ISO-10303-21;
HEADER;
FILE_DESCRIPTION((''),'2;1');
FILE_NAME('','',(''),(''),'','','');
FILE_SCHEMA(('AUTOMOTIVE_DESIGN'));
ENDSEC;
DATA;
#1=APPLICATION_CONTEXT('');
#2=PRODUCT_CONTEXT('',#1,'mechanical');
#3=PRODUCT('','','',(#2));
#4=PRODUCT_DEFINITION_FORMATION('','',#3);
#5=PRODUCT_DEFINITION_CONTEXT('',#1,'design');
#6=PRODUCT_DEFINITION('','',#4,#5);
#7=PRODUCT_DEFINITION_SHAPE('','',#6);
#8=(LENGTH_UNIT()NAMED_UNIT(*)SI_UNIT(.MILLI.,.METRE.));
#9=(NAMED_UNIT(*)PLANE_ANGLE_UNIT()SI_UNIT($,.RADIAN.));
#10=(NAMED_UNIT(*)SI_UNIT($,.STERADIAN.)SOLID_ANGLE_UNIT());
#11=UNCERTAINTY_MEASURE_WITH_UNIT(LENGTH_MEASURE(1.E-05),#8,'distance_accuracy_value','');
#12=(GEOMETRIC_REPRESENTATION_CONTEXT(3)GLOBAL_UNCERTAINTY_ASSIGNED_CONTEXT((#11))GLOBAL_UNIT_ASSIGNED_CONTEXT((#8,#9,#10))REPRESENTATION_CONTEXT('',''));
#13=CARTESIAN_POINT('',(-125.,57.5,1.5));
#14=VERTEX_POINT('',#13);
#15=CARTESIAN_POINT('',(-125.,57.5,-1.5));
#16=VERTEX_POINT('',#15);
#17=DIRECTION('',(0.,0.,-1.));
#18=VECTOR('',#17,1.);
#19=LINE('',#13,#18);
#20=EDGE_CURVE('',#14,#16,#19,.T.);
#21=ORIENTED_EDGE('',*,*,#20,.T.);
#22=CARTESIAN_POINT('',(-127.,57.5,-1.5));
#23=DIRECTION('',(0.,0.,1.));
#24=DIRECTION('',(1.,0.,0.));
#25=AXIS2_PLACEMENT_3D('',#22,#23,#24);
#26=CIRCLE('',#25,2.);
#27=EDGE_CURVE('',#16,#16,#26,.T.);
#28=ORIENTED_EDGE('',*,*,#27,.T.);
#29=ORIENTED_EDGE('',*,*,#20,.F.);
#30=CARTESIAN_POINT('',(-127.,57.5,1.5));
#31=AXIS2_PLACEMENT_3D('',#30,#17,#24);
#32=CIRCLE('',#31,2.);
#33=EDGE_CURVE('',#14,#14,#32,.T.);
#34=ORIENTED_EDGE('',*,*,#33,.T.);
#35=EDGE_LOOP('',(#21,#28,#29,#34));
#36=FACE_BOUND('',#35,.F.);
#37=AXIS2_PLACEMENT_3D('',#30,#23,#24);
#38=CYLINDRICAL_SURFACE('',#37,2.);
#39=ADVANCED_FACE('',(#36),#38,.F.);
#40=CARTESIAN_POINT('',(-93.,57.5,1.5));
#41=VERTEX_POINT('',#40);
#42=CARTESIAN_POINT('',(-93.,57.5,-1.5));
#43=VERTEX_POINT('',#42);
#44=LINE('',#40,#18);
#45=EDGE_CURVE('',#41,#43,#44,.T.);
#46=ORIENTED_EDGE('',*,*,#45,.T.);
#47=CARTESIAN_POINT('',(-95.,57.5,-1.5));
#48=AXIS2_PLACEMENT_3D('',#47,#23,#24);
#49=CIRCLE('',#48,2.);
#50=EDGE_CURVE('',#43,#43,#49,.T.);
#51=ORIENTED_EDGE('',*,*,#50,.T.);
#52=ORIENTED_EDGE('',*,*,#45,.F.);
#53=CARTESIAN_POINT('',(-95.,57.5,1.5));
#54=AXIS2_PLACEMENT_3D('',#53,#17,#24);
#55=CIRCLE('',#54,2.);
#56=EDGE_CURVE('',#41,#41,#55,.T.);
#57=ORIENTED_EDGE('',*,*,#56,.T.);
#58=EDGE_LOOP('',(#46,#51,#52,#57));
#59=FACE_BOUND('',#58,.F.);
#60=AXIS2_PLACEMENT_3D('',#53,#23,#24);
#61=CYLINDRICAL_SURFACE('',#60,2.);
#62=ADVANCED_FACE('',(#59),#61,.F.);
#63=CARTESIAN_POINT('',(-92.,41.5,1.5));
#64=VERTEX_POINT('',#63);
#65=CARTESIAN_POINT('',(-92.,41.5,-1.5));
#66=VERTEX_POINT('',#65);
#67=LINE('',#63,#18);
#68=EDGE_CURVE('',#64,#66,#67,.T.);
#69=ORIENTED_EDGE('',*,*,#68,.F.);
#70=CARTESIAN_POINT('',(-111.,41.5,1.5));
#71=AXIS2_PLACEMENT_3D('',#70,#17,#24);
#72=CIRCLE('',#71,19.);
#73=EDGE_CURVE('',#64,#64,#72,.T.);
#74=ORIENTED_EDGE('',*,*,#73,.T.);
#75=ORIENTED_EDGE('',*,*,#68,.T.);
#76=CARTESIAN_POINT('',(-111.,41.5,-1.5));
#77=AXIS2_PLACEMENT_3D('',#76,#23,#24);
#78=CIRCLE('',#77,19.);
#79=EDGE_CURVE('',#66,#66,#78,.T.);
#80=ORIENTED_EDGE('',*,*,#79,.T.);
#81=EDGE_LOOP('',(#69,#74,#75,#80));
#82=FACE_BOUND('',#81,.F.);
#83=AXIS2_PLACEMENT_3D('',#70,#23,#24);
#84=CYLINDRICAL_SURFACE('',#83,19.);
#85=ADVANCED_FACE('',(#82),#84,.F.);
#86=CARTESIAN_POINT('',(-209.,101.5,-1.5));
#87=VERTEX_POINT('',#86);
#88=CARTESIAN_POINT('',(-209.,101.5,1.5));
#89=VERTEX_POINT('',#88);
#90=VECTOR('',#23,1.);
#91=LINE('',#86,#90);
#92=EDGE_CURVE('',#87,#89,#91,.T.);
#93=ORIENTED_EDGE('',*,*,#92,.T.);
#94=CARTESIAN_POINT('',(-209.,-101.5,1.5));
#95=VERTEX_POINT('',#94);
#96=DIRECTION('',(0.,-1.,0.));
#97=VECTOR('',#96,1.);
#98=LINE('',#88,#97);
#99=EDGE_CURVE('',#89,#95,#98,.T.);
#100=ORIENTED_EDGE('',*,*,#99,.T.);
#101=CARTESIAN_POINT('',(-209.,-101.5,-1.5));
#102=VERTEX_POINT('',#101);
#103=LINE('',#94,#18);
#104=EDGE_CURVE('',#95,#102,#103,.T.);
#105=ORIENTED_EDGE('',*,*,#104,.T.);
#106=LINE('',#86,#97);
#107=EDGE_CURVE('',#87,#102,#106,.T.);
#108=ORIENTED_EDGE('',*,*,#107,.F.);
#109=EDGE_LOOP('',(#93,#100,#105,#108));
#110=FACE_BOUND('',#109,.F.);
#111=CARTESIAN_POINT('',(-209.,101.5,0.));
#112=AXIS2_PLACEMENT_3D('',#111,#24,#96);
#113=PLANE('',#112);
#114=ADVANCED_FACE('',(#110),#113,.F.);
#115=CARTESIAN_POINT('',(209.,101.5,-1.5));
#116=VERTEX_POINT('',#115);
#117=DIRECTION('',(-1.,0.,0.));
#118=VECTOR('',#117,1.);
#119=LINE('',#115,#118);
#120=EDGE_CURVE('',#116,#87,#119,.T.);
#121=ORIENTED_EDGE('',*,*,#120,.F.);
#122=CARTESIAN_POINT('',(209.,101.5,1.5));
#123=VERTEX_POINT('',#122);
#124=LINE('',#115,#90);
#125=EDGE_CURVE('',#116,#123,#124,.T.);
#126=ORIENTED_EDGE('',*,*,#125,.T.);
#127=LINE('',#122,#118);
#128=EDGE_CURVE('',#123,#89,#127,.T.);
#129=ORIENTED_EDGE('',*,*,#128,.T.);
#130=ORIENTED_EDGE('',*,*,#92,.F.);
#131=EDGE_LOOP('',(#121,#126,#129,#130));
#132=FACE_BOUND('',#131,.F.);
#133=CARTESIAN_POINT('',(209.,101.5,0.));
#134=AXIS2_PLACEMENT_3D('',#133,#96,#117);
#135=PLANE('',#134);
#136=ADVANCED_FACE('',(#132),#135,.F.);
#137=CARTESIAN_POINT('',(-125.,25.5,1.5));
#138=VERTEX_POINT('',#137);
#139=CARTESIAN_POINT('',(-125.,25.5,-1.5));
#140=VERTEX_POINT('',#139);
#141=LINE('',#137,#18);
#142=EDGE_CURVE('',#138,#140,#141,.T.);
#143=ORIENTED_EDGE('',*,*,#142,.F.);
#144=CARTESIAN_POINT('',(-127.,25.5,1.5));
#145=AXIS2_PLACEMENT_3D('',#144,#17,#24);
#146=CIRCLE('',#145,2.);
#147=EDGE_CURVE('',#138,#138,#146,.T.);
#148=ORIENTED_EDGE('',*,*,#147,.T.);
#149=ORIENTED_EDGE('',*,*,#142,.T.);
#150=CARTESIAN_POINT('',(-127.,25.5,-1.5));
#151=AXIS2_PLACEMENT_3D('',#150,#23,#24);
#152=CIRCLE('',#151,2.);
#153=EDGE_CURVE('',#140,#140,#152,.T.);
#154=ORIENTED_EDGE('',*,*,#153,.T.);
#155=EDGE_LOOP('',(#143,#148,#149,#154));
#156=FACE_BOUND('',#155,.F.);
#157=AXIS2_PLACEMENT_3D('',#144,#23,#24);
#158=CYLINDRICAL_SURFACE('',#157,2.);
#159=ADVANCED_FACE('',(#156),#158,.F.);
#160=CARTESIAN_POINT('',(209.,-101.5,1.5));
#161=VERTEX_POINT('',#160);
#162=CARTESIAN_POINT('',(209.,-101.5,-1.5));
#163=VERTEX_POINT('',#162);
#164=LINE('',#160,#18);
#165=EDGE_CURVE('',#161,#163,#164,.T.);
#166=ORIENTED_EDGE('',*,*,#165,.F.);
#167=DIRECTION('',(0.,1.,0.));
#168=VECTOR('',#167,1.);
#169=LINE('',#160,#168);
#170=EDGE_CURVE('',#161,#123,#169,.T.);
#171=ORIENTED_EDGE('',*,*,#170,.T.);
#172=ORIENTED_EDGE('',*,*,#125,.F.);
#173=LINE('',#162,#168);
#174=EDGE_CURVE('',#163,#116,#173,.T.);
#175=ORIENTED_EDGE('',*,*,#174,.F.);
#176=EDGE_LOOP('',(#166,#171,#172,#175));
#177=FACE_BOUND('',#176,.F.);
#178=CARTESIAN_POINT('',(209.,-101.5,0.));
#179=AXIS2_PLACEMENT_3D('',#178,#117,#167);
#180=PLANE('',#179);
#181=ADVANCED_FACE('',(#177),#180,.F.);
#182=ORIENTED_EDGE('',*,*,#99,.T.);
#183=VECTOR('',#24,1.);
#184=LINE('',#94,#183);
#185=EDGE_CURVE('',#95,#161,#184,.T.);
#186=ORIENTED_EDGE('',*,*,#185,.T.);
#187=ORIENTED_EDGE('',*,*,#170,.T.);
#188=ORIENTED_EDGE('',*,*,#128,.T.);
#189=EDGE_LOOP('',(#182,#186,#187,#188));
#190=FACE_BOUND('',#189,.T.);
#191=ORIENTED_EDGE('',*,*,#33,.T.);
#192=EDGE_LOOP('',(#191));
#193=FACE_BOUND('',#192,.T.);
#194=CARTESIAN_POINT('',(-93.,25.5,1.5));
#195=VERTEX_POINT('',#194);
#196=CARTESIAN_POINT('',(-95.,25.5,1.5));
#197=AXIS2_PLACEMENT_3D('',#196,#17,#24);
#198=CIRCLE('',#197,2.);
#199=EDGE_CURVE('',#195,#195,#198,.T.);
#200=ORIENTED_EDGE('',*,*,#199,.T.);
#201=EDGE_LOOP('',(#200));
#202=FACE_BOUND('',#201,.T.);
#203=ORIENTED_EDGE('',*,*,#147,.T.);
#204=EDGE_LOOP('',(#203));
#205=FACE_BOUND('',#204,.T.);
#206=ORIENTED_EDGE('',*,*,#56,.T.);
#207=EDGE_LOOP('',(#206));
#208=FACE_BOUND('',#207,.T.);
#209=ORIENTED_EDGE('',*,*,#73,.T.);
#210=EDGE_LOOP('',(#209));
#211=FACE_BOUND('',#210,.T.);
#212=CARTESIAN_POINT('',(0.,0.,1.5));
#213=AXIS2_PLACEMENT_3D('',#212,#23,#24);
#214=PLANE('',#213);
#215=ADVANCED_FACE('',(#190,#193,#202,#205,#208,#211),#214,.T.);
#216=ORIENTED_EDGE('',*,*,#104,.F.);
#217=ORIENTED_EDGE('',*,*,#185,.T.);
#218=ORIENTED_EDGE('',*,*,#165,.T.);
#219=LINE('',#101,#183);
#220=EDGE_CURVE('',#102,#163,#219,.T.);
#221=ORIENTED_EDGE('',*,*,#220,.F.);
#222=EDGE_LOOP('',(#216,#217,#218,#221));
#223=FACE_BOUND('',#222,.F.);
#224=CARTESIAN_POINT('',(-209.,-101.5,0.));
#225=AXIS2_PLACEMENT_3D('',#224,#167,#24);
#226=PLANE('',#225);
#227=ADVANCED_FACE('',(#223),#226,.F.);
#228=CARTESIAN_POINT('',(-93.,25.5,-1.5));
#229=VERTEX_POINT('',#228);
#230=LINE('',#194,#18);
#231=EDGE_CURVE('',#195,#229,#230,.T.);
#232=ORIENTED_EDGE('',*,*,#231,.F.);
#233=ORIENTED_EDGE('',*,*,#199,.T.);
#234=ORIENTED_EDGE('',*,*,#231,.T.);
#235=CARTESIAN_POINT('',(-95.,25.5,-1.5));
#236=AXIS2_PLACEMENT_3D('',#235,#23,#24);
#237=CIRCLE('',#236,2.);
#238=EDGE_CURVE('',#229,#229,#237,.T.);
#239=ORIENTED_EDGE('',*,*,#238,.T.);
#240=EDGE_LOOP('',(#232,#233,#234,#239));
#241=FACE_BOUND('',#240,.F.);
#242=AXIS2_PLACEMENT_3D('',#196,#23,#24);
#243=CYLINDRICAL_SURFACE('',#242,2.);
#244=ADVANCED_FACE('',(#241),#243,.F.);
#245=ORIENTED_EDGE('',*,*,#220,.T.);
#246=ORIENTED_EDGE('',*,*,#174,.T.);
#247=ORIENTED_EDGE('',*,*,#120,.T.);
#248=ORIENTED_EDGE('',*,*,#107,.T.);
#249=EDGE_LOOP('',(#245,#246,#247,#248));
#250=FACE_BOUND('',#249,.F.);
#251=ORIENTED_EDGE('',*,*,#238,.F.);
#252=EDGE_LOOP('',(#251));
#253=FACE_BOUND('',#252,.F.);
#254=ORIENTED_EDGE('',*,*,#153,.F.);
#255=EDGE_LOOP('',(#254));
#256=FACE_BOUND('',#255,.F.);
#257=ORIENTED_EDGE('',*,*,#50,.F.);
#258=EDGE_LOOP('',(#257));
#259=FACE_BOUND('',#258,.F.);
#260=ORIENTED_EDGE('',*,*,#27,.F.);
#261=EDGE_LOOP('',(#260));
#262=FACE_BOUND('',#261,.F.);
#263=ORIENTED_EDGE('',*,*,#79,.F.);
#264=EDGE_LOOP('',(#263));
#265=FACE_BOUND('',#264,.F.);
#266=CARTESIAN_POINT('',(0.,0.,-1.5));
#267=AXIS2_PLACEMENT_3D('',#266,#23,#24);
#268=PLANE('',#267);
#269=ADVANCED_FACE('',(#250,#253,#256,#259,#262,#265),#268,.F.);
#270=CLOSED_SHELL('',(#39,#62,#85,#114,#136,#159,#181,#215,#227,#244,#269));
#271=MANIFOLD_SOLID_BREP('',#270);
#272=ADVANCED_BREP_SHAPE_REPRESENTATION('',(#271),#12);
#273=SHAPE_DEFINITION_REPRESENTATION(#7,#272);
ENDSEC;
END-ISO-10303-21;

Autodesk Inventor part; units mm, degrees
ref_plane "YZ Plane" through (0, 0, 0) normal (1, 0, 0) x (0, 1, 0)
ref_plane "XZ Plane" through (0, 0, 0) normal (0, 1, 0) x (-1, 0, 0)
ref_plane "XY Plane" through (0, 0, 0) normal (0, 0, 1) x (1, 0, 0)
sketch "Szkic1" plane through (0, 0, 0) normal (0, 0, 1) x (1, 0, 0)
  line L0 (209, 101.5) -> (-209, 101.5)
  line L1 (-209, 101.5) -> (-209, -101.5)
  line L2 (-209, -101.5) -> (209, -101.5)
  line L3 (209, -101.5) -> (209, 101.5)
  line L4 (209, 101.5) -> (-209, -101.5) construction
  line L5 (-209, 101.5) -> (209, -101.5) construction
  point P0 (0, 0)
  dimension "d0" = 418
  dimension "d1" = 203
extrude "Wyciągnięcie proste1" add sketch "Szkic1" along normal mid plane 3
sketch "Szkic2" plane through (0, 0, 1.5) normal (0, 0, 1) x (1, 0, 0)
  circle A0 centre (-111, 41.5) radius 19
  line L0 (-209, 101.5) -> (-209, -101.5) projected
  line L1 (209, 101.5) -> (-209, 101.5) projected
  line L2 (-95, 25.5) -> (-127, 25.5)
  line L3 (-127, 25.5) -> (-127, 57.5)
  line L4 (-127, 57.5) -> (-95, 57.5)
  line L5 (-95, 57.5) -> (-95, 25.5)
  circle A1 centre (-127, 57.5) radius 2
  circle A2 centre (-95, 57.5) radius 2
  circle A3 centre (-95, 25.5) radius 2
  circle A4 centre (-127, 25.5) radius 2
  line L6 (-209, -101.5) -> (209, -101.5) projected
  line L7 (209, -101.5) -> (209, 101.5) projected
  line L8 (-209, 80.5) -> (-209, 91.5)
  point P0 (0, 0)
  dimension "d7" = 32
  dimension "d8" = 32
  dimension "d9" = 4
  dimension "d10" = 4
  dimension "d12" = 4
  dimension "d105" = 38
  dimension "d106" = 44
  dimension "d107" = 304
  dimension "d108" = 60
  dimension "d109" = 320
  dimension "d110" = 10
  dimension "d111" = 21
extrude "Wyciągnięcie proste3" cut sketch "Szkic2" against normal through all contours A2 L4 L5 | L5 L4 A2 | A3 L2 L5 | L5 L2 A3 | A1 L3 L4 | L4 L3 A1 | A4 L3 L2 | L2 L3 A4
extrude "Wyciągnięcie proste4" cut sketch "Szkic2" against normal through all contours A0 L5 | L5 A0 L2 L3 L4 | L4 A0 | A0 L2 | L3 A0
properties part number "BackWall"
